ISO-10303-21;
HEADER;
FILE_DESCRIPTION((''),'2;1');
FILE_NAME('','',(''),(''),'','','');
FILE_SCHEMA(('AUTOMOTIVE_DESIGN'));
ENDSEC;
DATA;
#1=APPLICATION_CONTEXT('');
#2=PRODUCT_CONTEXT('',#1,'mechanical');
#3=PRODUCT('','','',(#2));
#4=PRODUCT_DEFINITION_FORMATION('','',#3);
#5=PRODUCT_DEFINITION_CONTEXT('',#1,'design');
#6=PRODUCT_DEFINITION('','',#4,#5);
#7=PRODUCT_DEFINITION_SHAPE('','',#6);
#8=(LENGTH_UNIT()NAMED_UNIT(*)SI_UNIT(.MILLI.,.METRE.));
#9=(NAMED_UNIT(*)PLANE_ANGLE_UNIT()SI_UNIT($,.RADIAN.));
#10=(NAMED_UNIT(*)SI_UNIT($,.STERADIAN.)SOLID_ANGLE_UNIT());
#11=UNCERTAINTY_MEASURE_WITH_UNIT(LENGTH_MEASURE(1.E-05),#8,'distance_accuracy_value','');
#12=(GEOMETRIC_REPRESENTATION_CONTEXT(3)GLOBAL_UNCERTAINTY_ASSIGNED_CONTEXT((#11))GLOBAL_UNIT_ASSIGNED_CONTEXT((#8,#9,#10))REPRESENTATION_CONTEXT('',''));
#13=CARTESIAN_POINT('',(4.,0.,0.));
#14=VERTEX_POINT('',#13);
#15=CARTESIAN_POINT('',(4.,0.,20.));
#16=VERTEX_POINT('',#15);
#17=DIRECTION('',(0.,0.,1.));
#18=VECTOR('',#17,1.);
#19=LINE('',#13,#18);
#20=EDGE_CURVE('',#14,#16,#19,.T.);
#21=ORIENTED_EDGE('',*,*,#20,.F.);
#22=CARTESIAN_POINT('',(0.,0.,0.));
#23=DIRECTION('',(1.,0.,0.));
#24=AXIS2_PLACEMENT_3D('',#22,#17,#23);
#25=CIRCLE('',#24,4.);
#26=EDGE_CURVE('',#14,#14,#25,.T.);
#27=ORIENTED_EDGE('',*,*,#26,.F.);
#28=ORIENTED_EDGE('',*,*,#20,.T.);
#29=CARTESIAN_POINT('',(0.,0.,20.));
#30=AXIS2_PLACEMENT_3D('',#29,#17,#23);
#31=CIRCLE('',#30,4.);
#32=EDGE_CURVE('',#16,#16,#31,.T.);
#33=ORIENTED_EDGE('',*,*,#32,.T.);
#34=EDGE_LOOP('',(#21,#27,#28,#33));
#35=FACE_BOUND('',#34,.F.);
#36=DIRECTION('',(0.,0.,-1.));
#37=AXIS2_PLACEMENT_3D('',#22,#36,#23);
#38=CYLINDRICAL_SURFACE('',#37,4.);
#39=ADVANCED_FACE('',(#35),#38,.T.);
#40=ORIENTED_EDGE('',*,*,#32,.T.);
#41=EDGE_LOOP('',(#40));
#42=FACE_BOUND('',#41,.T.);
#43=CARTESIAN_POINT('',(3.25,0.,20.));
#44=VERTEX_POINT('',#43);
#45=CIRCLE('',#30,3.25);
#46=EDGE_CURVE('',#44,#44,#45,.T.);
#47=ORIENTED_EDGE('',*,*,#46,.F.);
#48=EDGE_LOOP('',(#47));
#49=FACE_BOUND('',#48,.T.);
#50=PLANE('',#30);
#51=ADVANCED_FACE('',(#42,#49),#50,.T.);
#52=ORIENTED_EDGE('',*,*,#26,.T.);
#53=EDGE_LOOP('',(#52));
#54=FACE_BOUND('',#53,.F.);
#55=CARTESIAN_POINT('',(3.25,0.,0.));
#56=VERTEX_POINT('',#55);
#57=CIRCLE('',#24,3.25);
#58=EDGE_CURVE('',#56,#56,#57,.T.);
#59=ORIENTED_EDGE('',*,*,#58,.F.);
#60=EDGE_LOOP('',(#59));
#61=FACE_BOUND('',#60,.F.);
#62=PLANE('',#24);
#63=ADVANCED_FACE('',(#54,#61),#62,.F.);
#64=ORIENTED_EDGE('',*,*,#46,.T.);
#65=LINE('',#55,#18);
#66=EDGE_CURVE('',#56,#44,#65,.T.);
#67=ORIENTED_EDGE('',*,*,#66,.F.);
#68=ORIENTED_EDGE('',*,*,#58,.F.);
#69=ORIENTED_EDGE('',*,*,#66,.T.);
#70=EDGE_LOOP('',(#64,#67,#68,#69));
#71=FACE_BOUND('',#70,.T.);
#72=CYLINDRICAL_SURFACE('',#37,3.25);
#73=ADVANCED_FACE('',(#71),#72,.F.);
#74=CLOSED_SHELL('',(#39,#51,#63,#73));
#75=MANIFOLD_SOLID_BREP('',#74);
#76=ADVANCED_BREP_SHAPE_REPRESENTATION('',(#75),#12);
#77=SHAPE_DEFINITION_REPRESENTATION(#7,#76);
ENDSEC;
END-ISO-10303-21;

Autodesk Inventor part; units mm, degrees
ref_plane "YZ Plane" through (0, 0, 0) normal (1, 0, 0) x (0, 1, 0)
ref_plane "XZ Plane" through (0, 0, 0) normal (0, 1, 0) x (-1, 0, 0)
ref_plane "XY Plane" through (0, 0, 0) normal (0, 0, 1) x (1, 0, 0)
sketch "Sketch1" plane through (0, 0, 0) normal (0, 0, 1) x (1, 0, 0)
  circle A0 centre (0, 0) radius 3.25
  circle A1 centre (0, 0) radius 4
  dimension "d0" = 6.5
  dimension "d1" = 8
extrude "Extrusion1" add sketch "Sketch1" along normal blind 20
properties part number "actuator-spacer"
